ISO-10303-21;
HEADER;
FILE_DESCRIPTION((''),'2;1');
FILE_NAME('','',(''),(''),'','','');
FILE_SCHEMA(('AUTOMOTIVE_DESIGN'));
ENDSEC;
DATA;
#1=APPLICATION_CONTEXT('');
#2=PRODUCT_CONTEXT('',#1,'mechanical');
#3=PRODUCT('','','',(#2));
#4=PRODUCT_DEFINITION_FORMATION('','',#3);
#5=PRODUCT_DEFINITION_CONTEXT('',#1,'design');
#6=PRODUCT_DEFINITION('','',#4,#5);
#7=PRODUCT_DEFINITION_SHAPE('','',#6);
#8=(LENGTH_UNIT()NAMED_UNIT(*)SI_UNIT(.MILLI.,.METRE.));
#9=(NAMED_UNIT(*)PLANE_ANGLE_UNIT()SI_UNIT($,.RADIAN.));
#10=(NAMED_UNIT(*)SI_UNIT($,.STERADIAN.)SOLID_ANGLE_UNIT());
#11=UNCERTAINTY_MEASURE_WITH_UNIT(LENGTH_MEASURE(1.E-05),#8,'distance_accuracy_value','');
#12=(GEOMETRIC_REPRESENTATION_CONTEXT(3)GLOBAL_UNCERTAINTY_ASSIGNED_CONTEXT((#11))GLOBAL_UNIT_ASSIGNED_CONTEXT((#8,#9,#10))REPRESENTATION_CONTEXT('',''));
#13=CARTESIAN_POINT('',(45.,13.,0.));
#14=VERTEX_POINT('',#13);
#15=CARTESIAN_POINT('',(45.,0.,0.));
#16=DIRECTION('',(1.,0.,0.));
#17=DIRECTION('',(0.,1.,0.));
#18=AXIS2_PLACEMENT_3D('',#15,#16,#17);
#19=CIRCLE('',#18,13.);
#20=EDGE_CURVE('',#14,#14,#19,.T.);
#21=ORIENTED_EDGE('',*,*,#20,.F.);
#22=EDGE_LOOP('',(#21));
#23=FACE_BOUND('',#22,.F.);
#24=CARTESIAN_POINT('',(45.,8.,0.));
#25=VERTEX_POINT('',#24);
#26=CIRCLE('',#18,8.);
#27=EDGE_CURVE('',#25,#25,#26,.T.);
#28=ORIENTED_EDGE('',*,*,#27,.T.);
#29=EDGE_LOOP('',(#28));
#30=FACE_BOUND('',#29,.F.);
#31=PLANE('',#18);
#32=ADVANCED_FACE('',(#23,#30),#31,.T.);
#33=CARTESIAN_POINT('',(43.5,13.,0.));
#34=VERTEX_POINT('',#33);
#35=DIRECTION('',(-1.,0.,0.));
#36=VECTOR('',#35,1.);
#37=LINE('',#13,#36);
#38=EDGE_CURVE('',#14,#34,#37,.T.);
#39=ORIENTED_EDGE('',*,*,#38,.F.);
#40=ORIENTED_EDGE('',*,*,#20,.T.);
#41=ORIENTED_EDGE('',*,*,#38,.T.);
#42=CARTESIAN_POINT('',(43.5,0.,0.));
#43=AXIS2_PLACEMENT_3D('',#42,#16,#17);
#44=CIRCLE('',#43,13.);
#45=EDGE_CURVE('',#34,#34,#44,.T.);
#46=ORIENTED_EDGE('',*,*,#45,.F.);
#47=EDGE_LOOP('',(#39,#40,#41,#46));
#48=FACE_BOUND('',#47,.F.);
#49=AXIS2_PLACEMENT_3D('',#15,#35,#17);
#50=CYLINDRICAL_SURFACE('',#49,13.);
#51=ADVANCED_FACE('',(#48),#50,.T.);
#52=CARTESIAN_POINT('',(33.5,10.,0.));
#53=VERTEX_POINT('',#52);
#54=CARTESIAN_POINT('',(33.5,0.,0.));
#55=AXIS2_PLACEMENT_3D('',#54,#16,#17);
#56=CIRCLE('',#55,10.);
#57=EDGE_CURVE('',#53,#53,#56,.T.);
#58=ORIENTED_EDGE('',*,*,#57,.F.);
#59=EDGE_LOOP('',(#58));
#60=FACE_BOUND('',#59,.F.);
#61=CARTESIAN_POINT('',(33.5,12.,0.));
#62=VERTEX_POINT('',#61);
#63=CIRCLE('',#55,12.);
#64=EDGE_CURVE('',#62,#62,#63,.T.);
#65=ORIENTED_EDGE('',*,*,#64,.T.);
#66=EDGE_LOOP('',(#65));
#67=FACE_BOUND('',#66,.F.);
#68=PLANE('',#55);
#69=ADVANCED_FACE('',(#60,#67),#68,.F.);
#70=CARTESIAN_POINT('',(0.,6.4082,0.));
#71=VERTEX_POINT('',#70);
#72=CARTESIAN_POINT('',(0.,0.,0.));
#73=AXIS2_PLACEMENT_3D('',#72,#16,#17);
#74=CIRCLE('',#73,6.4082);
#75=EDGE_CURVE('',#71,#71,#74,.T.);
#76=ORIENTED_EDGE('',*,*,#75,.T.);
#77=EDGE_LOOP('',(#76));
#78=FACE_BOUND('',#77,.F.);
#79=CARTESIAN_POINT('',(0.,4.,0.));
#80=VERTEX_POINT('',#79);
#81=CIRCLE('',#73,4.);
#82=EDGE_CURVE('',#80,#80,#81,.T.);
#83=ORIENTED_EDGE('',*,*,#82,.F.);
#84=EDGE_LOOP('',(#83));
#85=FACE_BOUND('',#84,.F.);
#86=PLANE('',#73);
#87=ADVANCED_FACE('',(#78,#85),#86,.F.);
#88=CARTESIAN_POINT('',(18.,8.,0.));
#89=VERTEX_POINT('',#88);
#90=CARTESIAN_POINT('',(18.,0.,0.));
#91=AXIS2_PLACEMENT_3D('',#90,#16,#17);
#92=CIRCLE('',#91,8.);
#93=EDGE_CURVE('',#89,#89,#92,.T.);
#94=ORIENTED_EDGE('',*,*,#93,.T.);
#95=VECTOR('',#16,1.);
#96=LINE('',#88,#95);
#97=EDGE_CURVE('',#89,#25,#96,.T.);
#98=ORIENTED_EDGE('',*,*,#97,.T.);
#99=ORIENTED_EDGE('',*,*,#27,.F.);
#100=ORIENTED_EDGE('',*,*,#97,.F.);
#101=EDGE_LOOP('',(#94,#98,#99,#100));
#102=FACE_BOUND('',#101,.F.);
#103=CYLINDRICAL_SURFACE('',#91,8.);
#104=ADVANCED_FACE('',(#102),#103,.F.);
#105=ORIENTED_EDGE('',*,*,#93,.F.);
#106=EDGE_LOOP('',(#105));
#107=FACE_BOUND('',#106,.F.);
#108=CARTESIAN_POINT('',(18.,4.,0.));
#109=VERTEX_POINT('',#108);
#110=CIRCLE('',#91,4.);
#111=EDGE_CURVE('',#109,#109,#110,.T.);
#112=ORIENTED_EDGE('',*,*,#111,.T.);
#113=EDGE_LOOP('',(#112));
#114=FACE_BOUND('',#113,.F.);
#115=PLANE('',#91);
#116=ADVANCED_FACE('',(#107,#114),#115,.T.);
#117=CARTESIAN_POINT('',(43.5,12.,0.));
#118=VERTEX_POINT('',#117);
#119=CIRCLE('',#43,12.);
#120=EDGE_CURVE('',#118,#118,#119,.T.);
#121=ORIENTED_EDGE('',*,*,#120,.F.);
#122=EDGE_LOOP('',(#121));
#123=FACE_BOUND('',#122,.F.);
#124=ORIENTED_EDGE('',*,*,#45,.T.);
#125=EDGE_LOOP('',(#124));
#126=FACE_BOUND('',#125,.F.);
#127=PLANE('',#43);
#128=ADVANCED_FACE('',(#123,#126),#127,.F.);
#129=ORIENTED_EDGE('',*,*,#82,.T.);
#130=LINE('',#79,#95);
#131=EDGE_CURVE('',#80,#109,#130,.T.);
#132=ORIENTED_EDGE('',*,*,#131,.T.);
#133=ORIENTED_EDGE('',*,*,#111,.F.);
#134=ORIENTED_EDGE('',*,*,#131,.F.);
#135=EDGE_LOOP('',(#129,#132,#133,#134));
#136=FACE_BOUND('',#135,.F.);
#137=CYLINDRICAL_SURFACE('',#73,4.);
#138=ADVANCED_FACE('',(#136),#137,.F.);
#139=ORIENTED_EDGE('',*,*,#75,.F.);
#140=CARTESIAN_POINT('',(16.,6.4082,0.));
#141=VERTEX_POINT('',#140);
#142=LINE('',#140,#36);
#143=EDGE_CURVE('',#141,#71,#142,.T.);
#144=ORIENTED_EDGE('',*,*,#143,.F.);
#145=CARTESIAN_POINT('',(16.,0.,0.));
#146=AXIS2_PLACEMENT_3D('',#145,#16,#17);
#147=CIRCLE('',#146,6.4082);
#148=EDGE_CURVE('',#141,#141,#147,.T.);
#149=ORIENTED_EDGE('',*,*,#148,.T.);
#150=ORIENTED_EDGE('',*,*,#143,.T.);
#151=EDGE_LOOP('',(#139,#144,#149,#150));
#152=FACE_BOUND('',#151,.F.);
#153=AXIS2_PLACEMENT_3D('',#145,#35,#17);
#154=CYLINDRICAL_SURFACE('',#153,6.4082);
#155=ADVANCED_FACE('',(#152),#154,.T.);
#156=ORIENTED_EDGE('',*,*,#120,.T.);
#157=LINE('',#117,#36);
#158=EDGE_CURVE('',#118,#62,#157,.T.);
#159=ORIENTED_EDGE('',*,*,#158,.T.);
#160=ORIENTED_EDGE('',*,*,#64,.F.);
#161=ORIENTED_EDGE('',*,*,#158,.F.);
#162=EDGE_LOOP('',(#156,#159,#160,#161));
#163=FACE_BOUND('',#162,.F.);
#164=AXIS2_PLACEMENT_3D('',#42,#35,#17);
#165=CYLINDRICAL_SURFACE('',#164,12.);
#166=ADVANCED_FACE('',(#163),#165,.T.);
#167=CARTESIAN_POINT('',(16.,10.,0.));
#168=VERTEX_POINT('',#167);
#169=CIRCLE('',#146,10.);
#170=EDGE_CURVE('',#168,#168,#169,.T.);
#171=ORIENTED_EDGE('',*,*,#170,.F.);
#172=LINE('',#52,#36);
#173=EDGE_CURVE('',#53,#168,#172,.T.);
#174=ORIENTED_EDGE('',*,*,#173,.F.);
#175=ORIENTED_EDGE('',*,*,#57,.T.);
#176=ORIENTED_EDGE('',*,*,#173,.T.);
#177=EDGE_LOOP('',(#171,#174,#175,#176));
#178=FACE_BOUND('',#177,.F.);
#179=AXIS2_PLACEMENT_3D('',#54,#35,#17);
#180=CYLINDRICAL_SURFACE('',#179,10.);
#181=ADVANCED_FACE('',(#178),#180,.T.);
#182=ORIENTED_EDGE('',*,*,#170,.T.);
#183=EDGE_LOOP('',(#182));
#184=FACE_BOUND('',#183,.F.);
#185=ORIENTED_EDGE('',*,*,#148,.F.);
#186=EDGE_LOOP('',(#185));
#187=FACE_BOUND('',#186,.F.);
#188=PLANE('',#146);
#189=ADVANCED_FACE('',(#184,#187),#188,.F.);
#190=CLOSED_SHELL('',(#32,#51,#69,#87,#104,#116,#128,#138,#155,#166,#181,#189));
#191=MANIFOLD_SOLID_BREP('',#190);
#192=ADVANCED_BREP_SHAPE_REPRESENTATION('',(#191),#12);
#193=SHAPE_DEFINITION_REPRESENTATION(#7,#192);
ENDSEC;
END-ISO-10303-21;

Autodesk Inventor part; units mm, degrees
ref_plane "YZ Plane" through (0, 0, 0) normal (1, 0, 0) x (0, 1, 0)
ref_plane "XZ Plane" through (0, 0, 0) normal (0, 1, 0) x (-1, 0, 0)
ref_plane "XY Plane" through (0, 0, 0) normal (0, 0, 1) x (1, 0, 0)
sketch "Sketch1" plane through (0, 0, 0) normal (0, 0, 1) x (1, 0, 0)
  line L0 (0, 0) -> (10, 0)
  line L1 (0, 0) -> (0, 4)
  line L2 (0, 4) -> (18, 4)
  line L3 (18, 4) -> (18, 8)
  line L4 (18, 8) -> (45, 8)
  line L5 (45, 8) -> (45, 13)
  line L6 (45, 13) -> (43.5, 13)
  line L7 (43.5, 13) -> (43.5, 12)
  line L8 (43.5, 12) -> (33.5, 12)
  line L9 (0, 6.4082) -> (0, 4)
  line L10 (33.5, 12) -> (33.5, 10)
  line L11 (33.5, 10) -> (16, 10)
  line L12 (16, 10) -> (16, 6.4082)
  line L13 (16, 6.4082) -> (0, 6.4082)
  dimension "d0" = 10
  dimension "d18" = 4
  dimension "d19" = 18
  dimension "d20" = 4
  dimension "d21" = 27
  dimension "d22" = 5
  dimension "d23" = 1.5
  dimension "d24" = 1
  dimension "d25" = 10
  dimension "d28" = 2
  dimension "d29" = 17.5
  dimension "d30" = 16
  dimension "d31" = 13
revolve "Revolution1" add sketch "Sketch1" angle 360 about axis through (0, 0, 0) along (1, 0, 0)
thread "Thread1" size "M24x1.5" class "6g" standard "ANSI Metric M Profile" full length
properties part number "entraineur poulie 72"
